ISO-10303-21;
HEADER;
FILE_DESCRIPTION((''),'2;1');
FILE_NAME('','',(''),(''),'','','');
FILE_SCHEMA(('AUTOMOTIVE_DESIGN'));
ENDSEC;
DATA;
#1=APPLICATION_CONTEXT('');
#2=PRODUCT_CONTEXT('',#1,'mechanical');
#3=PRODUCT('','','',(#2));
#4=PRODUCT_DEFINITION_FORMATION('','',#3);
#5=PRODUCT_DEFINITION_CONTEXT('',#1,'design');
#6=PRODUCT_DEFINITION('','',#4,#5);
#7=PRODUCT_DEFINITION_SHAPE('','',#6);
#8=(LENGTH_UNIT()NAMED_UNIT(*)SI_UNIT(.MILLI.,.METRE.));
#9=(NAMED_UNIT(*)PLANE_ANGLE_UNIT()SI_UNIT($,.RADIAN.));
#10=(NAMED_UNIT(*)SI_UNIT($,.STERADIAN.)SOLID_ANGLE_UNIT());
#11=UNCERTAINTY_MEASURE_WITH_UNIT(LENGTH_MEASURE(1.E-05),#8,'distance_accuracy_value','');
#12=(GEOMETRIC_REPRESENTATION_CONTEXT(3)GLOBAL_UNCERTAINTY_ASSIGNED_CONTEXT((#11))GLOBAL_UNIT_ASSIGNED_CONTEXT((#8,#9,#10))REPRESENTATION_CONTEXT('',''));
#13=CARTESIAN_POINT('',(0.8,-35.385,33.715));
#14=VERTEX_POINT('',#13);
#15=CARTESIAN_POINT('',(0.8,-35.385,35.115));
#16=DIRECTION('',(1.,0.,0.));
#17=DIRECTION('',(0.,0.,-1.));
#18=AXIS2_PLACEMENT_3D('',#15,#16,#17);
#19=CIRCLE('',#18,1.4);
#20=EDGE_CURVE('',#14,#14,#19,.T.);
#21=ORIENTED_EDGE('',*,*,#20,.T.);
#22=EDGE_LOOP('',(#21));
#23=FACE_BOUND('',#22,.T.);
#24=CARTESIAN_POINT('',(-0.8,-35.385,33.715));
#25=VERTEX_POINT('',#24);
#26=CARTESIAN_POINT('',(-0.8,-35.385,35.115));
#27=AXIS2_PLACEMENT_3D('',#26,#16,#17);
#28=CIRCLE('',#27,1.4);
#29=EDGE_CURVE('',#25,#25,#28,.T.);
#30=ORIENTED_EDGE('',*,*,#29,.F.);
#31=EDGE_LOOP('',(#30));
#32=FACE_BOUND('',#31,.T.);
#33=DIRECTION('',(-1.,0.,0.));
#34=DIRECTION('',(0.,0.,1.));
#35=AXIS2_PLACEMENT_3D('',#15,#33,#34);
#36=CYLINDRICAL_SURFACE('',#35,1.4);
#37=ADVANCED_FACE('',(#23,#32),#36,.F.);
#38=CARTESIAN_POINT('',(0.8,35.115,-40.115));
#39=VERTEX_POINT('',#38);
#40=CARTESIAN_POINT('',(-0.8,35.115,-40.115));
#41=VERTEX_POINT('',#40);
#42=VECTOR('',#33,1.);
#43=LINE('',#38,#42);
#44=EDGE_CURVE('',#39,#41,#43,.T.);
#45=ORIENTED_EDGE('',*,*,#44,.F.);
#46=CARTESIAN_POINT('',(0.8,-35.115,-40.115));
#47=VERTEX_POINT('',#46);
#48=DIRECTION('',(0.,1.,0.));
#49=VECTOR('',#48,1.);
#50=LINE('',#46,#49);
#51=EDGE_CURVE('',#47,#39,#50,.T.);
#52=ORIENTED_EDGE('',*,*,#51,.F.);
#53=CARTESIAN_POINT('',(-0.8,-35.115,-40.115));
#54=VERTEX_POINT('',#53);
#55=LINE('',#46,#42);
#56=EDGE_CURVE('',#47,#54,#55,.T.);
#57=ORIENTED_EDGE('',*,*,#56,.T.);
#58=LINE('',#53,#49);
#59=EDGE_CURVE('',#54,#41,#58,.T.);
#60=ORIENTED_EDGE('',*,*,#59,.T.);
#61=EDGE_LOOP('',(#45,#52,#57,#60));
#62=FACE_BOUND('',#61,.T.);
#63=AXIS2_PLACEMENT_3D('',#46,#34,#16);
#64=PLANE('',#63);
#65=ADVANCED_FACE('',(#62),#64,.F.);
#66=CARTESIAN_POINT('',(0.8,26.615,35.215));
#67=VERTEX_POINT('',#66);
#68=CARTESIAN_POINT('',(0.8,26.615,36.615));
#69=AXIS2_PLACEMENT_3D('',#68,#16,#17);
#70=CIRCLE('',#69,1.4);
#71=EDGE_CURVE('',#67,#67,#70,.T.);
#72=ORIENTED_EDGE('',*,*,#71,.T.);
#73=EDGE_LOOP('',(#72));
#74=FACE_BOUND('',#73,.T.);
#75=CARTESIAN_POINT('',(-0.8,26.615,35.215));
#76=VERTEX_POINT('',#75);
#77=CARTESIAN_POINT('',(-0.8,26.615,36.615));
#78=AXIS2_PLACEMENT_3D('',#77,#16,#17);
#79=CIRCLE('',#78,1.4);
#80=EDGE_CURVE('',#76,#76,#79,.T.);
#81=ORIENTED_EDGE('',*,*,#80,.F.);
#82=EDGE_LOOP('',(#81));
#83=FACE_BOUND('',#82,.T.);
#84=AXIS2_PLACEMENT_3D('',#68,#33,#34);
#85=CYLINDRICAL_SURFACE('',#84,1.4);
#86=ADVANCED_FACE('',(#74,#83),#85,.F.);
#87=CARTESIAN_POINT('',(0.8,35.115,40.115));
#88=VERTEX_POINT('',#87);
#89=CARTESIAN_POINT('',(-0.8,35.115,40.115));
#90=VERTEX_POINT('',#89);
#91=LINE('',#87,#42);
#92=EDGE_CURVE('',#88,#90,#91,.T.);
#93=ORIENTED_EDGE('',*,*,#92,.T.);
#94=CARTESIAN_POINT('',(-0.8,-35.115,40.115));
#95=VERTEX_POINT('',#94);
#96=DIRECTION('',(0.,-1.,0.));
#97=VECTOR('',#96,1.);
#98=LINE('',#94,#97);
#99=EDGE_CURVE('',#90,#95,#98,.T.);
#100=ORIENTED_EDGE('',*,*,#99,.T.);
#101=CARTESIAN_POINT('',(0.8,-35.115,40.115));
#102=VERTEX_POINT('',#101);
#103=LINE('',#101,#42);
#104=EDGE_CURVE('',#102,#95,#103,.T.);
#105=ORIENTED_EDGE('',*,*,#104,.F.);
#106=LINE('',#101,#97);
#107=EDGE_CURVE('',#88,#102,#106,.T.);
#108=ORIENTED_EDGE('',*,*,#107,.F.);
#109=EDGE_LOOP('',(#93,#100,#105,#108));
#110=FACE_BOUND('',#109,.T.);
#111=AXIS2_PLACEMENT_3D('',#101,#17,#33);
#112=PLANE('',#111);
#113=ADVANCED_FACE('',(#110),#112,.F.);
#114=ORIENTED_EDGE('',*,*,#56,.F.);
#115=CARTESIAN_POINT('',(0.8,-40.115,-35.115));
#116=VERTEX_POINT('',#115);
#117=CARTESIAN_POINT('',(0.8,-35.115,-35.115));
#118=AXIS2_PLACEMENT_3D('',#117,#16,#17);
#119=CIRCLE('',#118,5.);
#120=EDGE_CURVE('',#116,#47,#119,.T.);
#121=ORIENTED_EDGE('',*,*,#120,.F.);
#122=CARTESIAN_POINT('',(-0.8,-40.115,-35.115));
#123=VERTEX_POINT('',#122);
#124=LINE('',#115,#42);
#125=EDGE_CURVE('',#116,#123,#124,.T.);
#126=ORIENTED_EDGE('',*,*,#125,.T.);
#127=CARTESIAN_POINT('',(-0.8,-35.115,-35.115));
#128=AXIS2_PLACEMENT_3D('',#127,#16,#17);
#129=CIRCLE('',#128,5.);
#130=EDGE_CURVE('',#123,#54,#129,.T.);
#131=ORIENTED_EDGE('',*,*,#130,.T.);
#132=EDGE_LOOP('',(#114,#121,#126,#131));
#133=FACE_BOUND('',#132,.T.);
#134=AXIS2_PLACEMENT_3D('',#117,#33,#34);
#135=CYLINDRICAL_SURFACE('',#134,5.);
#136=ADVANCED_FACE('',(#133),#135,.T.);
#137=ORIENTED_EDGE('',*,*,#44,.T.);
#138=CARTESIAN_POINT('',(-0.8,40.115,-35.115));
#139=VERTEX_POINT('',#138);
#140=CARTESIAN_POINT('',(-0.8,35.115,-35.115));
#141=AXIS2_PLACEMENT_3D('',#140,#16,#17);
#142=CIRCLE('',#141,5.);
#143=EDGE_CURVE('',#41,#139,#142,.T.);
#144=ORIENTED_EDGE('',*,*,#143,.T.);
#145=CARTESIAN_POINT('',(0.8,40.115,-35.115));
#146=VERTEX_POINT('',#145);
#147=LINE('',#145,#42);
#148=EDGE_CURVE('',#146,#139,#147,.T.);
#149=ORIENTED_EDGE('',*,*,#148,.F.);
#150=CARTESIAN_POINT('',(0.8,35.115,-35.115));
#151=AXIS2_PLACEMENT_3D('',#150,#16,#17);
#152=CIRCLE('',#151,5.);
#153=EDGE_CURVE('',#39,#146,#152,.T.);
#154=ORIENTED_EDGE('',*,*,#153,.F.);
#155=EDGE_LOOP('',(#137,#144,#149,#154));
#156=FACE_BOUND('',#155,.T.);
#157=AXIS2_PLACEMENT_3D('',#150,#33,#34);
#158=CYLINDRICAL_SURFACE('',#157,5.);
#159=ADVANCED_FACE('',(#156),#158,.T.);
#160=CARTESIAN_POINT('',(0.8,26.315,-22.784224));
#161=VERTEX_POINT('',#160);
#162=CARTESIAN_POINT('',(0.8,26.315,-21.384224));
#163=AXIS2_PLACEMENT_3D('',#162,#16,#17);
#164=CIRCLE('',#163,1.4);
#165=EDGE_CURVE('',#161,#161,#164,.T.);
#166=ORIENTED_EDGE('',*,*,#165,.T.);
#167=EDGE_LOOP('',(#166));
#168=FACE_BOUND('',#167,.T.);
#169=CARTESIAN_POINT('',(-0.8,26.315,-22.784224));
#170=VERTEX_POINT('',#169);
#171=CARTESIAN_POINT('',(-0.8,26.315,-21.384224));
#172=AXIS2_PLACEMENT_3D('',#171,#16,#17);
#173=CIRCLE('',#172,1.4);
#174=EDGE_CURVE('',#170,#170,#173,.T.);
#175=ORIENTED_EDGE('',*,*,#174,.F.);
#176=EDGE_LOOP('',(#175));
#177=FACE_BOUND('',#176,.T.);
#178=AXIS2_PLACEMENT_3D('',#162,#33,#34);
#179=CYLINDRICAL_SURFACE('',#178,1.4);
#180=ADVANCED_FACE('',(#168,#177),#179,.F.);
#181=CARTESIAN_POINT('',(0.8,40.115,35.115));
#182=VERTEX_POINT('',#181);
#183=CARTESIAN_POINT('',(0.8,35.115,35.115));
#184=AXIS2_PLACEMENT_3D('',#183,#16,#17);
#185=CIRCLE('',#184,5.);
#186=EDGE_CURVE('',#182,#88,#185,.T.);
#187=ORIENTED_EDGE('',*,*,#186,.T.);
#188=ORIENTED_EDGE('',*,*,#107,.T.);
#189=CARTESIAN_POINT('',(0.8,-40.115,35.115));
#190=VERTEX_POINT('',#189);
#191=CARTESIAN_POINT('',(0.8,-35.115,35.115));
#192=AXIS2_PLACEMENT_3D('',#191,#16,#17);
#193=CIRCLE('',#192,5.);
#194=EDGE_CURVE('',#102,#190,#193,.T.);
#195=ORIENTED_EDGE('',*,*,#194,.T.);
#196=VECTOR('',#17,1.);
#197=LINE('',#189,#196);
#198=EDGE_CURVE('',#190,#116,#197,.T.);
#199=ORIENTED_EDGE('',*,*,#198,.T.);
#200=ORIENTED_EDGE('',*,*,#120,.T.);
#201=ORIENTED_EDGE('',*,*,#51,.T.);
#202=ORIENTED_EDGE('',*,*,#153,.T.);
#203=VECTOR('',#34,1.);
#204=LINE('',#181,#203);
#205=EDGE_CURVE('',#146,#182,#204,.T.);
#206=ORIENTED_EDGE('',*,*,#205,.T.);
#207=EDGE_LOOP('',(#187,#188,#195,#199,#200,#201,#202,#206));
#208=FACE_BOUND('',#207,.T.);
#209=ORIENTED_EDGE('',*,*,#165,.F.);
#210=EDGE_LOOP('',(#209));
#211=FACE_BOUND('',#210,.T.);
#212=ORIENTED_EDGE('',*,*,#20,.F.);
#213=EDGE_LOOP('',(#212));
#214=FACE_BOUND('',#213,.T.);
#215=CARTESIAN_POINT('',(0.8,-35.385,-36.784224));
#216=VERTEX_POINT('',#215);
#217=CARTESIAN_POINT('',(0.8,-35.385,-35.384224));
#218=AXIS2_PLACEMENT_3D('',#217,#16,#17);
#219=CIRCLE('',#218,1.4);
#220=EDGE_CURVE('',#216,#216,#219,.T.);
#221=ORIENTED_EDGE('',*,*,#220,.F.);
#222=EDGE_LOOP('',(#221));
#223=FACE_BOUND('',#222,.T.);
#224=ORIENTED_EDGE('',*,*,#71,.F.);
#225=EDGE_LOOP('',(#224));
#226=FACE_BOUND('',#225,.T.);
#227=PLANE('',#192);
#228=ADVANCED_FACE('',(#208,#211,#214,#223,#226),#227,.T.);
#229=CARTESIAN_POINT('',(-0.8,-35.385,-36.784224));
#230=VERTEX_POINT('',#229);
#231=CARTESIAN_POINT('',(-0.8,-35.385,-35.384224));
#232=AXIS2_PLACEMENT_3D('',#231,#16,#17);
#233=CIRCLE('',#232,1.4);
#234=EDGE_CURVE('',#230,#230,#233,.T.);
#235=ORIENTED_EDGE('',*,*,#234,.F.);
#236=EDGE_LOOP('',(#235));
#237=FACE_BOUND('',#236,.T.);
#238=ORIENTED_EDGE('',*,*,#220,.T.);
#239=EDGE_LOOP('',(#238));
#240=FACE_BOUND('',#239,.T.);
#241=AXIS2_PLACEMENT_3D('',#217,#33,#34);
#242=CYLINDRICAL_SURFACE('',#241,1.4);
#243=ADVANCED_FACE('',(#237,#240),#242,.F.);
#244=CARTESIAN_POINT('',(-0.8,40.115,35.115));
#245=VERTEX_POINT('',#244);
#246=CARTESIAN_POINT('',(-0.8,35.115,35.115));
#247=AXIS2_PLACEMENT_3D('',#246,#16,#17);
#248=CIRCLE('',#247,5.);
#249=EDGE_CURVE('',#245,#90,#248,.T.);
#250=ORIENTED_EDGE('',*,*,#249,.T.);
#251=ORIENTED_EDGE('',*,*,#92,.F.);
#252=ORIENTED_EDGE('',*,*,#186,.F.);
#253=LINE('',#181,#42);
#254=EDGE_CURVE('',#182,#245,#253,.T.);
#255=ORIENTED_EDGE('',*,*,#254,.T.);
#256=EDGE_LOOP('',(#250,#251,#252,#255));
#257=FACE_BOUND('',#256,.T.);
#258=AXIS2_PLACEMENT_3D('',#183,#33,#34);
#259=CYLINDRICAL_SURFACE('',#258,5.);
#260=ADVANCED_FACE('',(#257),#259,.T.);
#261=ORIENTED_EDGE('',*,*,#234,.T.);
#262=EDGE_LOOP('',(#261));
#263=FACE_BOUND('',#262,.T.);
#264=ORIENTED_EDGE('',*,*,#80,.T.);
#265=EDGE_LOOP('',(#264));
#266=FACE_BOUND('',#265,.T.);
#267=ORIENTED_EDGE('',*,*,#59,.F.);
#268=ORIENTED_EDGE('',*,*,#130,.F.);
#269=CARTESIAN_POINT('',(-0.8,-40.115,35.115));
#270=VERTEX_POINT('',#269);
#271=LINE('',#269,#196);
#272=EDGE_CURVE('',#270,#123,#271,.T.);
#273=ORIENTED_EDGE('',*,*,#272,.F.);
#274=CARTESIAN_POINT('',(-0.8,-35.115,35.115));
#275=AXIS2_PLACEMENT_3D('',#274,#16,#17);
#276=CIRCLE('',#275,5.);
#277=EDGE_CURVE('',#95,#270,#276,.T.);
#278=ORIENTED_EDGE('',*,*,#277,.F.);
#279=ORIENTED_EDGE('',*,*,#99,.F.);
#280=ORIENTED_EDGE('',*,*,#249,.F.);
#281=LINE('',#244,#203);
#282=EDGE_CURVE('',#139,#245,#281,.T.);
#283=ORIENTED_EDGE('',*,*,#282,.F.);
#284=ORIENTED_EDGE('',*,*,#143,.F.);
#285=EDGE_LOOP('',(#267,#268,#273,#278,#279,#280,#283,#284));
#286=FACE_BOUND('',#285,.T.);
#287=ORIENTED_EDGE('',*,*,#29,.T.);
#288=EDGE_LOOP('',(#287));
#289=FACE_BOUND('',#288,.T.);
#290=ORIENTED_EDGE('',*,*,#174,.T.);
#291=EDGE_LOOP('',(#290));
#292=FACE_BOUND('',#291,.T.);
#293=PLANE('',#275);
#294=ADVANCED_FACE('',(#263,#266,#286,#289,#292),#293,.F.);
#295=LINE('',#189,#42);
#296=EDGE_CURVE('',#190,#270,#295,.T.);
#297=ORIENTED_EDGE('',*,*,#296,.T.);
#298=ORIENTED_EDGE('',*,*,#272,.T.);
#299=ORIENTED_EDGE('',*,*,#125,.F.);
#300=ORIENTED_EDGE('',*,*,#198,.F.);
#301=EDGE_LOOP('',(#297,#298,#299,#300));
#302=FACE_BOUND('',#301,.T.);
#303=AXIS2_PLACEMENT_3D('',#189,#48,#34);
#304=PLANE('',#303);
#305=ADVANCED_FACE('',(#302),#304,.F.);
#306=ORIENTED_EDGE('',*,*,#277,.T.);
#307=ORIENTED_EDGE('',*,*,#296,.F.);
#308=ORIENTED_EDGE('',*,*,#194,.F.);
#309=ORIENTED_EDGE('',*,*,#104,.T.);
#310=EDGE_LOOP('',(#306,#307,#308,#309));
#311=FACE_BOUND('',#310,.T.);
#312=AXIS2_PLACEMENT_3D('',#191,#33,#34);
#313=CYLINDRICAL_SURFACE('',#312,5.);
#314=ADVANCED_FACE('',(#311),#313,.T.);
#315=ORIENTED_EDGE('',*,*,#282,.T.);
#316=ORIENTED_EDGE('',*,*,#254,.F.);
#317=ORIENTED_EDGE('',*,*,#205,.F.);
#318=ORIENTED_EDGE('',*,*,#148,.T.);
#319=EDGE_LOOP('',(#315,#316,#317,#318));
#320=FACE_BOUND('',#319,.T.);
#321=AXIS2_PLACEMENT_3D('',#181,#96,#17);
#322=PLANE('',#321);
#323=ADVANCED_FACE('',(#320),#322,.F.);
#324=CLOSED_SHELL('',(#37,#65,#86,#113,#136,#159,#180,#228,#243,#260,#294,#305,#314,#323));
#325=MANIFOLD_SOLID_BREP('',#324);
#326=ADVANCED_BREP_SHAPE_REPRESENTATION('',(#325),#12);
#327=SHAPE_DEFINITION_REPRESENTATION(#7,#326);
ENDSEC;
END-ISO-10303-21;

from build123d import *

# Parameters (mm, degrees)
SKETCH1_R           = 1.4
BOSS_EXTRUDE1_DEPTH = 0.8


with BuildPart() as part:
    # Sketch1 → Boss-Extrude1 (new, symmetric)
    with BuildSketch(Plane(origin=(0, 0, 0), x_dir=(0, 0, -1), z_dir=(1, 0, 0))):
        with BuildLine():
            Line((-35.115, -40.115), (35.115, -40.115))
            ThreePointArc((35.115, -40.115), (38.650533906, -38.650533906), (40.115, -35.115))
            Line((40.115, -35.115), (40.115, 35.115))
            ThreePointArc((40.115, 35.115), (38.650533906, 38.650533906), (35.115, 40.115))
            Line((35.115, 40.115), (-35.115, 40.115))
            ThreePointArc((-35.115, 40.115), (-38.650533906, 38.650533906), (-40.115, 35.115))
            Line((-40.115, 35.115), (-40.115, -35.115))
            ThreePointArc((-40.115, -35.115), (-38.650533906, -38.650533906), (-35.115, -40.115))
        make_face()
        with Locations((-36.615, 26.615)):
            Circle(SKETCH1_R, mode=Mode.SUBTRACT)
        with Locations((21.384224133, 26.315)):
            Circle(SKETCH1_R, mode=Mode.SUBTRACT)
        with Locations((35.384224133, -35.385)):
            Circle(SKETCH1_R, mode=Mode.SUBTRACT)
        with Locations((-35.115, -35.385)):
            Circle(SKETCH1_R, mode=Mode.SUBTRACT)
    extrude(amount=BOSS_EXTRUDE1_DEPTH, both=True)


solid = part.part
